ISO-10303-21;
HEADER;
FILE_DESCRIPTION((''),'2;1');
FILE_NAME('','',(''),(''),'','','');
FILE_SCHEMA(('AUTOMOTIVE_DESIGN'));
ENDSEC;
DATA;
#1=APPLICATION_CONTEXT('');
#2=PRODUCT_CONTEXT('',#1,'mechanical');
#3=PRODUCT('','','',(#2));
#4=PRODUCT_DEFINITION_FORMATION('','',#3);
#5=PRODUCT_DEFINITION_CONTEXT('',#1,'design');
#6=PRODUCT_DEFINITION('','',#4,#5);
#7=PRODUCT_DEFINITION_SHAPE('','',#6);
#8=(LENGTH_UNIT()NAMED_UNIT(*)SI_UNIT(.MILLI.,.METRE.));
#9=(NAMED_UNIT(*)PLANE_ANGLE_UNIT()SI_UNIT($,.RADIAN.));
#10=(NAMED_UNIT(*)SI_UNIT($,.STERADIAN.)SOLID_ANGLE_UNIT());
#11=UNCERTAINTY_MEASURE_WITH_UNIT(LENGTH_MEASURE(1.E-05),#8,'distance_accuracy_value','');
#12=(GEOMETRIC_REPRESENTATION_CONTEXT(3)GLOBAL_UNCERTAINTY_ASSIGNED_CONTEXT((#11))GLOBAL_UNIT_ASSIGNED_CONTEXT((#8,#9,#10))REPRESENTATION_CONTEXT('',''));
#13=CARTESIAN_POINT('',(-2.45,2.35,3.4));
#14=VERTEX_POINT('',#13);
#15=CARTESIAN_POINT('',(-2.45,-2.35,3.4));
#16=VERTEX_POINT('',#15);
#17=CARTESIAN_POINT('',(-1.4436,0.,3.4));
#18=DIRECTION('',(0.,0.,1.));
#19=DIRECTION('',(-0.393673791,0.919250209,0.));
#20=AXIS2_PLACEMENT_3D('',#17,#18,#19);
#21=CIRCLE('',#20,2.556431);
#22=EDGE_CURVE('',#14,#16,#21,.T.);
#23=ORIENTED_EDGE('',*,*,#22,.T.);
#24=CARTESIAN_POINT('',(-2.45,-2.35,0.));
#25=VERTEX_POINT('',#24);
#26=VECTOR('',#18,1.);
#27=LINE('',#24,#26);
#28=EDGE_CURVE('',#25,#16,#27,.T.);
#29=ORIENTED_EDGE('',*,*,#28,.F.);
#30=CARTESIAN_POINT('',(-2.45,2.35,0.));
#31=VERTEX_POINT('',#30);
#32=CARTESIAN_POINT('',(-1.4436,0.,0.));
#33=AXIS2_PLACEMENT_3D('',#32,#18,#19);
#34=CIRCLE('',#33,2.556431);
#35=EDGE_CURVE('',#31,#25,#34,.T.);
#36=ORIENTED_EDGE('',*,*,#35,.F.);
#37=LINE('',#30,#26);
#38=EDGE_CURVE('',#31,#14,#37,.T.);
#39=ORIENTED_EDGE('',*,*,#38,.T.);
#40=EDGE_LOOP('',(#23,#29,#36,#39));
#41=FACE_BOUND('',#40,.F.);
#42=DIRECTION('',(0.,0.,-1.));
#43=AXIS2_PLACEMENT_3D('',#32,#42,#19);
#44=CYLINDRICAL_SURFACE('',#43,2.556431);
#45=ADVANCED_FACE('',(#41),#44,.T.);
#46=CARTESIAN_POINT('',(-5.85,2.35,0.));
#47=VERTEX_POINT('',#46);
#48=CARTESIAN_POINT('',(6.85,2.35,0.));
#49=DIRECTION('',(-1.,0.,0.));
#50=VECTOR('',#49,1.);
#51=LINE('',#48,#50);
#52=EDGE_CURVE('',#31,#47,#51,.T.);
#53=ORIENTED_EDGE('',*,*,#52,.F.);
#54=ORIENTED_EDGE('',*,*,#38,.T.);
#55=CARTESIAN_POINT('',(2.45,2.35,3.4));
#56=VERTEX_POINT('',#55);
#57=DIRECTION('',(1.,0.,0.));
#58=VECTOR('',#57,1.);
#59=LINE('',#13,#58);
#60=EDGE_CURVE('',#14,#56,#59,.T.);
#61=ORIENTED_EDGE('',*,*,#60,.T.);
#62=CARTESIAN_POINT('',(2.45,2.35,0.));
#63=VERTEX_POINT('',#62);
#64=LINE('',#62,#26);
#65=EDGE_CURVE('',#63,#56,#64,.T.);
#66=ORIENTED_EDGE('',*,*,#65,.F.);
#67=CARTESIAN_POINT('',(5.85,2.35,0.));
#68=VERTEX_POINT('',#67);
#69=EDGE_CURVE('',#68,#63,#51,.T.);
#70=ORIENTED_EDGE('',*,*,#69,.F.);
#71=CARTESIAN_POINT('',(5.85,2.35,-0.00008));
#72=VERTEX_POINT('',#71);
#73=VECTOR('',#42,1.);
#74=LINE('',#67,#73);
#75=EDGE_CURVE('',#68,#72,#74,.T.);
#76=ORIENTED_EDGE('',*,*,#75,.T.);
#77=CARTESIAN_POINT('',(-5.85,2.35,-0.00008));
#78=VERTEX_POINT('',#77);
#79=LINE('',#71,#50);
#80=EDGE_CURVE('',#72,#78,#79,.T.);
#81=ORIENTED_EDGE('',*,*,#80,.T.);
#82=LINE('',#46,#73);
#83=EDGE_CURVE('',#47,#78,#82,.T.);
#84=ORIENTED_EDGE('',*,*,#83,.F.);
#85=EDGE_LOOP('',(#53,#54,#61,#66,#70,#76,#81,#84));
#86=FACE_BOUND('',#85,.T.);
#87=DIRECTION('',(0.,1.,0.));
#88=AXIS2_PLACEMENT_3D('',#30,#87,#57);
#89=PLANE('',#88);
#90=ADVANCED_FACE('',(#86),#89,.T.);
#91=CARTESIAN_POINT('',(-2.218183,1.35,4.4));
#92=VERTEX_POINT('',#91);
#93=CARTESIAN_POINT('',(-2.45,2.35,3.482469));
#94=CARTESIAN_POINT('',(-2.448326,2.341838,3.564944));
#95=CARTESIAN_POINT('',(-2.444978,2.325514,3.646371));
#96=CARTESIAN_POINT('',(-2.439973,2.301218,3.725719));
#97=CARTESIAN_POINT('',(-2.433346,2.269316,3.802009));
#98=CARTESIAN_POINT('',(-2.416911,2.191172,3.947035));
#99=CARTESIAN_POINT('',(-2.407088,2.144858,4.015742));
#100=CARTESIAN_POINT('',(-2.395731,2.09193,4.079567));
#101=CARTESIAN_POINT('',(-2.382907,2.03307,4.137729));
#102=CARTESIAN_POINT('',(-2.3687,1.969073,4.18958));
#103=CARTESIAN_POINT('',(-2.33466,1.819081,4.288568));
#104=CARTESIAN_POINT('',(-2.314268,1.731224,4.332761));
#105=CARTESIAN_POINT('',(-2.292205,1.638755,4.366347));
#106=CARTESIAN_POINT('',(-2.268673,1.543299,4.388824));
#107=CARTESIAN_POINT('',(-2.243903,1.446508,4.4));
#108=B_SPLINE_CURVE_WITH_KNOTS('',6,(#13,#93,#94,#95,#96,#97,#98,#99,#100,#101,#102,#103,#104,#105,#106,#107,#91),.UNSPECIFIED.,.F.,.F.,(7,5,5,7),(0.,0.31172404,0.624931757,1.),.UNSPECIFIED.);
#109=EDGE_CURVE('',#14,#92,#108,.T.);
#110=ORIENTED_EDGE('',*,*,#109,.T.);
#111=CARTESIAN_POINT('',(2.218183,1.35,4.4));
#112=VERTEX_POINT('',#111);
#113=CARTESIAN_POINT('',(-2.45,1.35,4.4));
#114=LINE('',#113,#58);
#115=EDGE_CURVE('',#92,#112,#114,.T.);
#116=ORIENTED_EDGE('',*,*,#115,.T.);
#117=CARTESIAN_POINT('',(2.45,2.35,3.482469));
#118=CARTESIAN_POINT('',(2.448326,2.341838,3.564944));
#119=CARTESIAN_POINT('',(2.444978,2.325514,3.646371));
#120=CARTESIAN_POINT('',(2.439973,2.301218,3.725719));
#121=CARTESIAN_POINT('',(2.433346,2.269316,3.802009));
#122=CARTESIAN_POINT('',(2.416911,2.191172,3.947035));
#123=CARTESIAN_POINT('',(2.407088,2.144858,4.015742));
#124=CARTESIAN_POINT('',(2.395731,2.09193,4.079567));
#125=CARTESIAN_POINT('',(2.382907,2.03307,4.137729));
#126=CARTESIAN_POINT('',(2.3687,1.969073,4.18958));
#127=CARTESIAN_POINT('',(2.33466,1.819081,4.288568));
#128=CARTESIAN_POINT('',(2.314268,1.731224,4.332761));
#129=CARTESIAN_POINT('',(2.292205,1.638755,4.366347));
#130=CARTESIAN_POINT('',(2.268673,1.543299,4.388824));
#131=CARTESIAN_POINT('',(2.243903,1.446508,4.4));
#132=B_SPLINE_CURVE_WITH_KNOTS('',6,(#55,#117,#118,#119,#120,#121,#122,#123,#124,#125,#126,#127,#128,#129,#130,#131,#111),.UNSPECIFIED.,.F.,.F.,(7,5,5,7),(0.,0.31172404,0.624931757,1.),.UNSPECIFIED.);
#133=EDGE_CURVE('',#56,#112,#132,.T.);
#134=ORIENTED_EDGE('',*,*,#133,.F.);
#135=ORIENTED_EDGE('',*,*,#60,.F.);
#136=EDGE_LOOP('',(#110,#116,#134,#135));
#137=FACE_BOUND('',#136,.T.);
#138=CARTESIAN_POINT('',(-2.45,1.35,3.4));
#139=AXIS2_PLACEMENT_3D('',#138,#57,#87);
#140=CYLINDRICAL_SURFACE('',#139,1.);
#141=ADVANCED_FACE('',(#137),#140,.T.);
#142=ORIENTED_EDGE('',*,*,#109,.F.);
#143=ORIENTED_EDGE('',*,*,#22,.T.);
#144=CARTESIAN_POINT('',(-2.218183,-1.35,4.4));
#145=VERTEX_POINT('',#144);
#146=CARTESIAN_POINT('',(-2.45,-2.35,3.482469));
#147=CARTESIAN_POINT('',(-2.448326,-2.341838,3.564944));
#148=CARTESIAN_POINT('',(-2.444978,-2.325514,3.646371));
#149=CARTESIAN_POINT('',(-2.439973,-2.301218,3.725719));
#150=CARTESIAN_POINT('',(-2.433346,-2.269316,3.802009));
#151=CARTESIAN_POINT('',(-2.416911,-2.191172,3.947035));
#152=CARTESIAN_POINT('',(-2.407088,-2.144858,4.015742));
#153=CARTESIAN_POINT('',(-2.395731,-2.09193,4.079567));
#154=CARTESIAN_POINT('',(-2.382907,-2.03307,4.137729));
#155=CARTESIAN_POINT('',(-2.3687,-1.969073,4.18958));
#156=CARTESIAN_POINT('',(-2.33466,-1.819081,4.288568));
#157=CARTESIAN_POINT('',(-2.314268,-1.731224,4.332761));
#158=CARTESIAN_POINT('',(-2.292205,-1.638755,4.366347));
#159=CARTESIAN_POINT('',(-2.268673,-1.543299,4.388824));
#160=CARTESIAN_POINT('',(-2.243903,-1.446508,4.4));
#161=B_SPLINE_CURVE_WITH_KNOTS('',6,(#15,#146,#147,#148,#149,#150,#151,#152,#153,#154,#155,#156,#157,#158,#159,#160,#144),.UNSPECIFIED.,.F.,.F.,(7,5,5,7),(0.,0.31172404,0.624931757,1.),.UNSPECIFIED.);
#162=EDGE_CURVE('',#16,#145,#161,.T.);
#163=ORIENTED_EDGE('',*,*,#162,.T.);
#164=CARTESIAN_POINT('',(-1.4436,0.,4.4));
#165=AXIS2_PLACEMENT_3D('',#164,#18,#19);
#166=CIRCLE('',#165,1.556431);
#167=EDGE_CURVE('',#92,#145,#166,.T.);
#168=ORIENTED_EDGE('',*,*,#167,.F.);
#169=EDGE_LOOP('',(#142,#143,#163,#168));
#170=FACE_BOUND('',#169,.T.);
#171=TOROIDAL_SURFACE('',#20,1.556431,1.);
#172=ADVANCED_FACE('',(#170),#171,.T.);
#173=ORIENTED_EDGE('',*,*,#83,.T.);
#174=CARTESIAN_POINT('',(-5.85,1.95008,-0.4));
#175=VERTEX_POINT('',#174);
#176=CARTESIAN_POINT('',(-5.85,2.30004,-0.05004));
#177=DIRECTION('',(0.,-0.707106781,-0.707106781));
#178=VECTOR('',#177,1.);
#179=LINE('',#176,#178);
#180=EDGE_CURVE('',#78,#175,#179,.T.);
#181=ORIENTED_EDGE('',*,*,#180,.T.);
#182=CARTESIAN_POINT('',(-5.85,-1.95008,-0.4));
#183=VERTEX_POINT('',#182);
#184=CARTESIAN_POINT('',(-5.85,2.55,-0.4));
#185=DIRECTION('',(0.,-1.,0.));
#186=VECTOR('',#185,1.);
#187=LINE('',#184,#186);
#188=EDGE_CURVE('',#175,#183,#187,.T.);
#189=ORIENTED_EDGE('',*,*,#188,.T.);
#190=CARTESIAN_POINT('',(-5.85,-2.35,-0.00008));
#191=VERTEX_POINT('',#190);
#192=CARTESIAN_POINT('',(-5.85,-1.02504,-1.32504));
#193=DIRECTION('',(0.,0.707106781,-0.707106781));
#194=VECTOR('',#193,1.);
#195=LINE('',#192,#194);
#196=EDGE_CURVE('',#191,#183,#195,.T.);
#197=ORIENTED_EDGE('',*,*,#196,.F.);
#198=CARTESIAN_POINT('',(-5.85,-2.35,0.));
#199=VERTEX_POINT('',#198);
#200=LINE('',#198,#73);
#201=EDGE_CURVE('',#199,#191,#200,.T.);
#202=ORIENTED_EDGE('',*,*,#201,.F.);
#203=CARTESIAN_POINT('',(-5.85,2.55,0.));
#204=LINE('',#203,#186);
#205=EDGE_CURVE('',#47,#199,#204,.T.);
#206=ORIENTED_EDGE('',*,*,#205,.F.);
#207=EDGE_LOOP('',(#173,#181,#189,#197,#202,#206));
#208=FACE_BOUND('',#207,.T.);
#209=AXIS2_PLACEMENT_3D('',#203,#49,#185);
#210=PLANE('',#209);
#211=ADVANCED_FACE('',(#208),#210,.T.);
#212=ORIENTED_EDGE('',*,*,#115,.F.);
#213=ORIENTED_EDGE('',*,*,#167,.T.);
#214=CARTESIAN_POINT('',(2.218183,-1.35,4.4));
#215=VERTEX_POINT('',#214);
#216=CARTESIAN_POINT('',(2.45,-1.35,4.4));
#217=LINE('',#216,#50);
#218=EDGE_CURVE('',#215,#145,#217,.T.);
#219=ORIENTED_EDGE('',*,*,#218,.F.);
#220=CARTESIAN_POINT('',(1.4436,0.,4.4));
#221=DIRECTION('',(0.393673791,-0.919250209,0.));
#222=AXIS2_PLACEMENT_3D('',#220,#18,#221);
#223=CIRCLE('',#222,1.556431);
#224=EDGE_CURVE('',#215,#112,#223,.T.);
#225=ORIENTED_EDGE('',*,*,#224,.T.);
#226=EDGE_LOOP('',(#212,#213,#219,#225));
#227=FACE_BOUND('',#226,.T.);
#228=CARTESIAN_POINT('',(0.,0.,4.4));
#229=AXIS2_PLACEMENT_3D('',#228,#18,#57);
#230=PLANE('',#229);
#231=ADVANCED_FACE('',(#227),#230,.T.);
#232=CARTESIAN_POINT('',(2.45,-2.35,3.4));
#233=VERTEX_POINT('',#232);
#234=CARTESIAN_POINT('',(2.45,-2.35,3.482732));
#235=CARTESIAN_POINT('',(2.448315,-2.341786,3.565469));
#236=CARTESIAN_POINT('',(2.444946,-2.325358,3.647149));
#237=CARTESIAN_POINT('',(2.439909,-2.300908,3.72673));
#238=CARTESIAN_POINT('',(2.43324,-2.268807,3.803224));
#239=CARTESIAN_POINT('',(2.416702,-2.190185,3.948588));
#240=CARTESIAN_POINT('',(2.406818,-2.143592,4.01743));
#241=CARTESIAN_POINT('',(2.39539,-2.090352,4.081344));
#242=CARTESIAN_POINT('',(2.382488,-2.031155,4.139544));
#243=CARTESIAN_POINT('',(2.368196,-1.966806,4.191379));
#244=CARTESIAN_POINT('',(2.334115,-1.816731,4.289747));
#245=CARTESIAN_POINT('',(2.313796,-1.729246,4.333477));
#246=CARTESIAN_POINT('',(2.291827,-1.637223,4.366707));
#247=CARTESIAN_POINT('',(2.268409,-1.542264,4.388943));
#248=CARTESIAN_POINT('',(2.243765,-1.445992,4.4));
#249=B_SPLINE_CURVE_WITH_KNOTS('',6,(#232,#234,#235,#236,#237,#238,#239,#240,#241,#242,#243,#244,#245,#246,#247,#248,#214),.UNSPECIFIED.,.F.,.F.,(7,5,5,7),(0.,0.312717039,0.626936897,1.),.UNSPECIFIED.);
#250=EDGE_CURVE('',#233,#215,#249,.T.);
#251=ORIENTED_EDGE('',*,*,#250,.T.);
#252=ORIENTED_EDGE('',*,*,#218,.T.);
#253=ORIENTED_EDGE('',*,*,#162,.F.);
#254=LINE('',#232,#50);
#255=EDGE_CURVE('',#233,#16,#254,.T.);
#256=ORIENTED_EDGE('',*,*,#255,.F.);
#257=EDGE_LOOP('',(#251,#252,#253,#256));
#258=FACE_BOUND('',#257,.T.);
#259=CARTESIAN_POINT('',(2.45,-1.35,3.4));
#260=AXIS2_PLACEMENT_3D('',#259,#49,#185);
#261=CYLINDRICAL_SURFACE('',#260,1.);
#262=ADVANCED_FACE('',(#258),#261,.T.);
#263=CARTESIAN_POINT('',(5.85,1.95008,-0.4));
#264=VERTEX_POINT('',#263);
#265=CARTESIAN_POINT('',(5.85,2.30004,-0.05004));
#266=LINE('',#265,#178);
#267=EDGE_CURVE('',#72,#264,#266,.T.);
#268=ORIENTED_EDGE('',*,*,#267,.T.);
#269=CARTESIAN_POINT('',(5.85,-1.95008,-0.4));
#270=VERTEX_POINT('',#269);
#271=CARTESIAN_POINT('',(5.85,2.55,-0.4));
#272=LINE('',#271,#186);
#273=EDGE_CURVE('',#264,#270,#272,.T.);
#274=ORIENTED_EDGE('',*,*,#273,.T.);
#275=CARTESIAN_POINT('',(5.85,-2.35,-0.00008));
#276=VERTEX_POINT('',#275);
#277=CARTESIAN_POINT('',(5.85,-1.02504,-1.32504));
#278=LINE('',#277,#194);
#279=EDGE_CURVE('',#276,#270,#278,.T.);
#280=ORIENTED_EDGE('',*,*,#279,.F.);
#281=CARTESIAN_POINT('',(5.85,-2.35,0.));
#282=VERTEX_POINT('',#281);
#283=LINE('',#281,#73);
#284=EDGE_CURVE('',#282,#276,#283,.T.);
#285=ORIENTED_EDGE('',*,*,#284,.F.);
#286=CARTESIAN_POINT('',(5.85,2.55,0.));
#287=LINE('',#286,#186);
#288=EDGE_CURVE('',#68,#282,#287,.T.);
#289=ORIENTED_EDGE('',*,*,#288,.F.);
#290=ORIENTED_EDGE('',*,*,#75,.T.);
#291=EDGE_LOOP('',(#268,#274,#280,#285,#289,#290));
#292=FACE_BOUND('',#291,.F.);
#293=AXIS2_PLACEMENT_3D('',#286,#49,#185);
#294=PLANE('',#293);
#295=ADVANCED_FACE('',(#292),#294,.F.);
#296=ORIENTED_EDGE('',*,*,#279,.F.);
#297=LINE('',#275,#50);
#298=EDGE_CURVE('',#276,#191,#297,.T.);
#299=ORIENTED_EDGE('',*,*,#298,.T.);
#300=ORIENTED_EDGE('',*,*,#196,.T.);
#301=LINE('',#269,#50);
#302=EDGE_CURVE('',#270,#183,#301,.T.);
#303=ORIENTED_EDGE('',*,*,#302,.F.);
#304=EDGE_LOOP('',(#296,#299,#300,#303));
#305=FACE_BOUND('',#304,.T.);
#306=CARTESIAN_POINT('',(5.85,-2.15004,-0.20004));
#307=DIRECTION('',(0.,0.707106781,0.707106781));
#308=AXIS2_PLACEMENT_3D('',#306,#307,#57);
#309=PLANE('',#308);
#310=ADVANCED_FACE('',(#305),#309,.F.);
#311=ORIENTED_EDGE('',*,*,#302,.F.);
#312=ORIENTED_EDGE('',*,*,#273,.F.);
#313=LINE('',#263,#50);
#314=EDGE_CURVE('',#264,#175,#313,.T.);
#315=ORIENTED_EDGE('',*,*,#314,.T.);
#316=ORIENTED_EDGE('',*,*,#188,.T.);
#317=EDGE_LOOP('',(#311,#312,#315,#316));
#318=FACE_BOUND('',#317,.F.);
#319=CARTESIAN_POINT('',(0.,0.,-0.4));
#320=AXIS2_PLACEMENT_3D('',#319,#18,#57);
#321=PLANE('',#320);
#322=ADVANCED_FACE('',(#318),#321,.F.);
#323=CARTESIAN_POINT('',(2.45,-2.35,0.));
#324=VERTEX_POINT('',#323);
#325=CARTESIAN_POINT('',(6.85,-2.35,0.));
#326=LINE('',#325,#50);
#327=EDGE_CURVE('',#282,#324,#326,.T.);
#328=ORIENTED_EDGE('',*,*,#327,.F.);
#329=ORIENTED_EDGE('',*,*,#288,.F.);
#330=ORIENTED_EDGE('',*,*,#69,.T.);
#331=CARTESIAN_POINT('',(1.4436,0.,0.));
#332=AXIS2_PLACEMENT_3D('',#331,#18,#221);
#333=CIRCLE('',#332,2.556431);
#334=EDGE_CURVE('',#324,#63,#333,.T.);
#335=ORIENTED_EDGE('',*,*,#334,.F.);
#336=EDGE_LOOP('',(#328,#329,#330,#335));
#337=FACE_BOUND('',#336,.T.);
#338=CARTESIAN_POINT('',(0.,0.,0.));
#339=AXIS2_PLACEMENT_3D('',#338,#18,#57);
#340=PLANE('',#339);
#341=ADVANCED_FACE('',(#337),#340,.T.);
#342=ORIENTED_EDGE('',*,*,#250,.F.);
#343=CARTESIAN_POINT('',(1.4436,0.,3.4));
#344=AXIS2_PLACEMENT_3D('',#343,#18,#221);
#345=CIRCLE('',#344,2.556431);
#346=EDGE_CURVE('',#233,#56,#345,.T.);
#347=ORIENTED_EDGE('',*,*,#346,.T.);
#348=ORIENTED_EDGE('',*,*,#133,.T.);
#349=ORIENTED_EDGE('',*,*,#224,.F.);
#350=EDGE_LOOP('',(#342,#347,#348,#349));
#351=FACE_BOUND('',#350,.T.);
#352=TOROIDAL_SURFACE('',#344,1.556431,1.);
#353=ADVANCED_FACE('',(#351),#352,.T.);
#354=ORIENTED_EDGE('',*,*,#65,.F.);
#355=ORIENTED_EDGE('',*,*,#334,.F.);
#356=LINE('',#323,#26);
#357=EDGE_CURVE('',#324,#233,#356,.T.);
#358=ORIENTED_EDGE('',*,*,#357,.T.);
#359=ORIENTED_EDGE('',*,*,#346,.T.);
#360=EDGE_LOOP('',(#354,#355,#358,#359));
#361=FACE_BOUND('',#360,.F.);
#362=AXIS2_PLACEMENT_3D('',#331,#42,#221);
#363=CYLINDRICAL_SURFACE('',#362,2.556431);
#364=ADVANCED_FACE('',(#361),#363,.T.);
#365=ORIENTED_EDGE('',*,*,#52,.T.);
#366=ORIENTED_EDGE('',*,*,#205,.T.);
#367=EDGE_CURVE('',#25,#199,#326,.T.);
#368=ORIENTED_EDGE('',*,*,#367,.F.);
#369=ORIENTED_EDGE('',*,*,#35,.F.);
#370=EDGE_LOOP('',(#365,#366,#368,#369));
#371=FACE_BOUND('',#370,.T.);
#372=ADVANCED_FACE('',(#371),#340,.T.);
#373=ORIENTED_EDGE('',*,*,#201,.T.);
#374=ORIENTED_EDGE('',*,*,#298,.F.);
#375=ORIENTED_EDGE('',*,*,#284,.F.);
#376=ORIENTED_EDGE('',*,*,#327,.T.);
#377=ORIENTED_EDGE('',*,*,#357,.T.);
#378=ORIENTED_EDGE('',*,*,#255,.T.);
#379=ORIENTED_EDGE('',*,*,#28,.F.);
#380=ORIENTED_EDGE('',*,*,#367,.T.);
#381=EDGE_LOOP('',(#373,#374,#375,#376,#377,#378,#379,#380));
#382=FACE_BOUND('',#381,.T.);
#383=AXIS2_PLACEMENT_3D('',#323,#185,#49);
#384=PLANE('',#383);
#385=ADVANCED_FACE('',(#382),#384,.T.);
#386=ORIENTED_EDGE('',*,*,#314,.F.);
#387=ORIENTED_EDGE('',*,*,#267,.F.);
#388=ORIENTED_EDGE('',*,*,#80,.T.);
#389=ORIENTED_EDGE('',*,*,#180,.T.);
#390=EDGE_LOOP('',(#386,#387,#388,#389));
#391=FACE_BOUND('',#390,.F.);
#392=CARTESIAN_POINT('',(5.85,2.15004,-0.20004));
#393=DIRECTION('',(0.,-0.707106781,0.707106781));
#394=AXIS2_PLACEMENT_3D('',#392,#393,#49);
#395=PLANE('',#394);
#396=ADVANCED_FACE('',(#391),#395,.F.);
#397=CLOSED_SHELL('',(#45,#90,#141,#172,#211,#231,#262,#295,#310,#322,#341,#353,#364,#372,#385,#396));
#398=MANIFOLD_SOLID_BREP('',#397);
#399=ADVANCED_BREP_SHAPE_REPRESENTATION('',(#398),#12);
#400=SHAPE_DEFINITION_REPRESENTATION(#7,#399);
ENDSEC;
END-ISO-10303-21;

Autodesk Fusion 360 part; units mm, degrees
sketch "Sketch1" plane through (0, 0, 0) normal (0, 0, 1) x (1, 0, 0)
  arc A0 (2.4187, -2.2) -> (2.4187, 2.2) centre (1.4436, 0) ccw
  line L0 (-2.4187, 2.2) -> (2.4187, 2.2)
  arc A1 (-2.4187, 2.2) -> (-2.4187, -2.2) centre (-1.4436, 0) ccw
  line L1 (2.4187, -2.2) -> (-2.4187, -2.2)
  line L2 (6.85, -2.55) -> (-6.85, -2.55)
  line L3 (-6.85, 2.55) -> (-6.85, -2.55)
  line L4 (6.85, 2.55) -> (-6.85, 2.55)
  line L5 (6.85, 2.55) -> (6.85, -2.55)
  arc A2 (2.45, -2.35) -> (2.45, 2.35) centre (1.4436, 0) ccw
  line L6 (-2.45, 2.35) -> (2.45, 2.35)
  arc A3 (-2.45, 2.35) -> (-2.45, -2.35) centre (-1.4436, 0) ccw
  line L7 (2.45, -2.35) -> (-2.45, -2.35)
  dimension "d33" = 0.15
extrude "Extrude3" add sketch "Sketch1" against normal blind 0.4 contours A0 L0 A1 L1 | L2 L3 L4 L5 | A2 L6 A3 L7
extrude "Extrude4" add sketch "Sketch1" along normal blind 4.4 contours A0 L0 A1 L1 | A2 L6 A3 L7
extrude "Extrude7" cut 1 faces at (6.85, 0.85, -0.1333) along direction (-1, 0, 0) blind 1
extrude "Extrude8" cut 1 faces at (-6.85, 0.85, -0.1333) along direction (1, 0, 0) blind 1
fillet "Fillet3" radius 1 4 edges at (-4, 0, 4.4) (0, -2.35, 4.4) (0, 2.35, 4.4) (4, 0, 4.4)
extrude "Extrude9" cut 1 faces at (-1.95, -2.55, -0.2667) along direction (0, 1, 0) up to surface (0.2 mm away)
extrude "Extrude10" cut 1 faces at (-1.95, 2.55, -0.2667) along direction (0, -1, 0) up to surface (0.2 mm away)
sketch "Sketch2" plane through (0, -2.35, 0) normal (0, -1, 0) x (1, 0, 0)
  line L0 (2.45, 3.4) -> (-2.45, 3.4)
  line L1 (-2.45, 3.4) -> (-2.45, 0)
  line L2 (-2.45, 0) -> (-5.85, 0)
  line L3 (-5.85, 0) -> (-5.85, -0.4)
  line L4 (-5.85, -0.4) -> (5.85, -0.4)
  line L5 (5.85, -0.4) -> (5.85, 0)
  line L6 (5.85, 0) -> (2.45, 0)
  line L7 (2.45, 0) -> (2.45, 3.4)
  line L8 (-2.45, 0) -> (2.45, 0)
sketch "Sketch3" plane through (0, 2.35, 0) normal (0, 1, 0) x (-1, 0, 0)
  line L0 (2.45, 3.4) -> (-2.45, 3.4)
  line L1 (-2.45, 3.4) -> (-2.45, 0)
  line L2 (-2.45, 0) -> (-5.85, 0)
  line L3 (-5.85, 0) -> (-5.85, -0.4)
  line L4 (-5.85, -0.4) -> (5.85, -0.4)
  line L5 (5.85, -0.4) -> (5.85, 0)
  line L6 (5.85, 0) -> (2.45, 0)
  line L7 (2.45, 0) -> (2.45, 3.4)
  line L8 (-2.45, 0) -> (2.45, 0)
chamfer "Chamfer2" distance 0.4 angle 45 2 edges at (0, 2.35, -0.4) (0, -2.35, -0.4)
